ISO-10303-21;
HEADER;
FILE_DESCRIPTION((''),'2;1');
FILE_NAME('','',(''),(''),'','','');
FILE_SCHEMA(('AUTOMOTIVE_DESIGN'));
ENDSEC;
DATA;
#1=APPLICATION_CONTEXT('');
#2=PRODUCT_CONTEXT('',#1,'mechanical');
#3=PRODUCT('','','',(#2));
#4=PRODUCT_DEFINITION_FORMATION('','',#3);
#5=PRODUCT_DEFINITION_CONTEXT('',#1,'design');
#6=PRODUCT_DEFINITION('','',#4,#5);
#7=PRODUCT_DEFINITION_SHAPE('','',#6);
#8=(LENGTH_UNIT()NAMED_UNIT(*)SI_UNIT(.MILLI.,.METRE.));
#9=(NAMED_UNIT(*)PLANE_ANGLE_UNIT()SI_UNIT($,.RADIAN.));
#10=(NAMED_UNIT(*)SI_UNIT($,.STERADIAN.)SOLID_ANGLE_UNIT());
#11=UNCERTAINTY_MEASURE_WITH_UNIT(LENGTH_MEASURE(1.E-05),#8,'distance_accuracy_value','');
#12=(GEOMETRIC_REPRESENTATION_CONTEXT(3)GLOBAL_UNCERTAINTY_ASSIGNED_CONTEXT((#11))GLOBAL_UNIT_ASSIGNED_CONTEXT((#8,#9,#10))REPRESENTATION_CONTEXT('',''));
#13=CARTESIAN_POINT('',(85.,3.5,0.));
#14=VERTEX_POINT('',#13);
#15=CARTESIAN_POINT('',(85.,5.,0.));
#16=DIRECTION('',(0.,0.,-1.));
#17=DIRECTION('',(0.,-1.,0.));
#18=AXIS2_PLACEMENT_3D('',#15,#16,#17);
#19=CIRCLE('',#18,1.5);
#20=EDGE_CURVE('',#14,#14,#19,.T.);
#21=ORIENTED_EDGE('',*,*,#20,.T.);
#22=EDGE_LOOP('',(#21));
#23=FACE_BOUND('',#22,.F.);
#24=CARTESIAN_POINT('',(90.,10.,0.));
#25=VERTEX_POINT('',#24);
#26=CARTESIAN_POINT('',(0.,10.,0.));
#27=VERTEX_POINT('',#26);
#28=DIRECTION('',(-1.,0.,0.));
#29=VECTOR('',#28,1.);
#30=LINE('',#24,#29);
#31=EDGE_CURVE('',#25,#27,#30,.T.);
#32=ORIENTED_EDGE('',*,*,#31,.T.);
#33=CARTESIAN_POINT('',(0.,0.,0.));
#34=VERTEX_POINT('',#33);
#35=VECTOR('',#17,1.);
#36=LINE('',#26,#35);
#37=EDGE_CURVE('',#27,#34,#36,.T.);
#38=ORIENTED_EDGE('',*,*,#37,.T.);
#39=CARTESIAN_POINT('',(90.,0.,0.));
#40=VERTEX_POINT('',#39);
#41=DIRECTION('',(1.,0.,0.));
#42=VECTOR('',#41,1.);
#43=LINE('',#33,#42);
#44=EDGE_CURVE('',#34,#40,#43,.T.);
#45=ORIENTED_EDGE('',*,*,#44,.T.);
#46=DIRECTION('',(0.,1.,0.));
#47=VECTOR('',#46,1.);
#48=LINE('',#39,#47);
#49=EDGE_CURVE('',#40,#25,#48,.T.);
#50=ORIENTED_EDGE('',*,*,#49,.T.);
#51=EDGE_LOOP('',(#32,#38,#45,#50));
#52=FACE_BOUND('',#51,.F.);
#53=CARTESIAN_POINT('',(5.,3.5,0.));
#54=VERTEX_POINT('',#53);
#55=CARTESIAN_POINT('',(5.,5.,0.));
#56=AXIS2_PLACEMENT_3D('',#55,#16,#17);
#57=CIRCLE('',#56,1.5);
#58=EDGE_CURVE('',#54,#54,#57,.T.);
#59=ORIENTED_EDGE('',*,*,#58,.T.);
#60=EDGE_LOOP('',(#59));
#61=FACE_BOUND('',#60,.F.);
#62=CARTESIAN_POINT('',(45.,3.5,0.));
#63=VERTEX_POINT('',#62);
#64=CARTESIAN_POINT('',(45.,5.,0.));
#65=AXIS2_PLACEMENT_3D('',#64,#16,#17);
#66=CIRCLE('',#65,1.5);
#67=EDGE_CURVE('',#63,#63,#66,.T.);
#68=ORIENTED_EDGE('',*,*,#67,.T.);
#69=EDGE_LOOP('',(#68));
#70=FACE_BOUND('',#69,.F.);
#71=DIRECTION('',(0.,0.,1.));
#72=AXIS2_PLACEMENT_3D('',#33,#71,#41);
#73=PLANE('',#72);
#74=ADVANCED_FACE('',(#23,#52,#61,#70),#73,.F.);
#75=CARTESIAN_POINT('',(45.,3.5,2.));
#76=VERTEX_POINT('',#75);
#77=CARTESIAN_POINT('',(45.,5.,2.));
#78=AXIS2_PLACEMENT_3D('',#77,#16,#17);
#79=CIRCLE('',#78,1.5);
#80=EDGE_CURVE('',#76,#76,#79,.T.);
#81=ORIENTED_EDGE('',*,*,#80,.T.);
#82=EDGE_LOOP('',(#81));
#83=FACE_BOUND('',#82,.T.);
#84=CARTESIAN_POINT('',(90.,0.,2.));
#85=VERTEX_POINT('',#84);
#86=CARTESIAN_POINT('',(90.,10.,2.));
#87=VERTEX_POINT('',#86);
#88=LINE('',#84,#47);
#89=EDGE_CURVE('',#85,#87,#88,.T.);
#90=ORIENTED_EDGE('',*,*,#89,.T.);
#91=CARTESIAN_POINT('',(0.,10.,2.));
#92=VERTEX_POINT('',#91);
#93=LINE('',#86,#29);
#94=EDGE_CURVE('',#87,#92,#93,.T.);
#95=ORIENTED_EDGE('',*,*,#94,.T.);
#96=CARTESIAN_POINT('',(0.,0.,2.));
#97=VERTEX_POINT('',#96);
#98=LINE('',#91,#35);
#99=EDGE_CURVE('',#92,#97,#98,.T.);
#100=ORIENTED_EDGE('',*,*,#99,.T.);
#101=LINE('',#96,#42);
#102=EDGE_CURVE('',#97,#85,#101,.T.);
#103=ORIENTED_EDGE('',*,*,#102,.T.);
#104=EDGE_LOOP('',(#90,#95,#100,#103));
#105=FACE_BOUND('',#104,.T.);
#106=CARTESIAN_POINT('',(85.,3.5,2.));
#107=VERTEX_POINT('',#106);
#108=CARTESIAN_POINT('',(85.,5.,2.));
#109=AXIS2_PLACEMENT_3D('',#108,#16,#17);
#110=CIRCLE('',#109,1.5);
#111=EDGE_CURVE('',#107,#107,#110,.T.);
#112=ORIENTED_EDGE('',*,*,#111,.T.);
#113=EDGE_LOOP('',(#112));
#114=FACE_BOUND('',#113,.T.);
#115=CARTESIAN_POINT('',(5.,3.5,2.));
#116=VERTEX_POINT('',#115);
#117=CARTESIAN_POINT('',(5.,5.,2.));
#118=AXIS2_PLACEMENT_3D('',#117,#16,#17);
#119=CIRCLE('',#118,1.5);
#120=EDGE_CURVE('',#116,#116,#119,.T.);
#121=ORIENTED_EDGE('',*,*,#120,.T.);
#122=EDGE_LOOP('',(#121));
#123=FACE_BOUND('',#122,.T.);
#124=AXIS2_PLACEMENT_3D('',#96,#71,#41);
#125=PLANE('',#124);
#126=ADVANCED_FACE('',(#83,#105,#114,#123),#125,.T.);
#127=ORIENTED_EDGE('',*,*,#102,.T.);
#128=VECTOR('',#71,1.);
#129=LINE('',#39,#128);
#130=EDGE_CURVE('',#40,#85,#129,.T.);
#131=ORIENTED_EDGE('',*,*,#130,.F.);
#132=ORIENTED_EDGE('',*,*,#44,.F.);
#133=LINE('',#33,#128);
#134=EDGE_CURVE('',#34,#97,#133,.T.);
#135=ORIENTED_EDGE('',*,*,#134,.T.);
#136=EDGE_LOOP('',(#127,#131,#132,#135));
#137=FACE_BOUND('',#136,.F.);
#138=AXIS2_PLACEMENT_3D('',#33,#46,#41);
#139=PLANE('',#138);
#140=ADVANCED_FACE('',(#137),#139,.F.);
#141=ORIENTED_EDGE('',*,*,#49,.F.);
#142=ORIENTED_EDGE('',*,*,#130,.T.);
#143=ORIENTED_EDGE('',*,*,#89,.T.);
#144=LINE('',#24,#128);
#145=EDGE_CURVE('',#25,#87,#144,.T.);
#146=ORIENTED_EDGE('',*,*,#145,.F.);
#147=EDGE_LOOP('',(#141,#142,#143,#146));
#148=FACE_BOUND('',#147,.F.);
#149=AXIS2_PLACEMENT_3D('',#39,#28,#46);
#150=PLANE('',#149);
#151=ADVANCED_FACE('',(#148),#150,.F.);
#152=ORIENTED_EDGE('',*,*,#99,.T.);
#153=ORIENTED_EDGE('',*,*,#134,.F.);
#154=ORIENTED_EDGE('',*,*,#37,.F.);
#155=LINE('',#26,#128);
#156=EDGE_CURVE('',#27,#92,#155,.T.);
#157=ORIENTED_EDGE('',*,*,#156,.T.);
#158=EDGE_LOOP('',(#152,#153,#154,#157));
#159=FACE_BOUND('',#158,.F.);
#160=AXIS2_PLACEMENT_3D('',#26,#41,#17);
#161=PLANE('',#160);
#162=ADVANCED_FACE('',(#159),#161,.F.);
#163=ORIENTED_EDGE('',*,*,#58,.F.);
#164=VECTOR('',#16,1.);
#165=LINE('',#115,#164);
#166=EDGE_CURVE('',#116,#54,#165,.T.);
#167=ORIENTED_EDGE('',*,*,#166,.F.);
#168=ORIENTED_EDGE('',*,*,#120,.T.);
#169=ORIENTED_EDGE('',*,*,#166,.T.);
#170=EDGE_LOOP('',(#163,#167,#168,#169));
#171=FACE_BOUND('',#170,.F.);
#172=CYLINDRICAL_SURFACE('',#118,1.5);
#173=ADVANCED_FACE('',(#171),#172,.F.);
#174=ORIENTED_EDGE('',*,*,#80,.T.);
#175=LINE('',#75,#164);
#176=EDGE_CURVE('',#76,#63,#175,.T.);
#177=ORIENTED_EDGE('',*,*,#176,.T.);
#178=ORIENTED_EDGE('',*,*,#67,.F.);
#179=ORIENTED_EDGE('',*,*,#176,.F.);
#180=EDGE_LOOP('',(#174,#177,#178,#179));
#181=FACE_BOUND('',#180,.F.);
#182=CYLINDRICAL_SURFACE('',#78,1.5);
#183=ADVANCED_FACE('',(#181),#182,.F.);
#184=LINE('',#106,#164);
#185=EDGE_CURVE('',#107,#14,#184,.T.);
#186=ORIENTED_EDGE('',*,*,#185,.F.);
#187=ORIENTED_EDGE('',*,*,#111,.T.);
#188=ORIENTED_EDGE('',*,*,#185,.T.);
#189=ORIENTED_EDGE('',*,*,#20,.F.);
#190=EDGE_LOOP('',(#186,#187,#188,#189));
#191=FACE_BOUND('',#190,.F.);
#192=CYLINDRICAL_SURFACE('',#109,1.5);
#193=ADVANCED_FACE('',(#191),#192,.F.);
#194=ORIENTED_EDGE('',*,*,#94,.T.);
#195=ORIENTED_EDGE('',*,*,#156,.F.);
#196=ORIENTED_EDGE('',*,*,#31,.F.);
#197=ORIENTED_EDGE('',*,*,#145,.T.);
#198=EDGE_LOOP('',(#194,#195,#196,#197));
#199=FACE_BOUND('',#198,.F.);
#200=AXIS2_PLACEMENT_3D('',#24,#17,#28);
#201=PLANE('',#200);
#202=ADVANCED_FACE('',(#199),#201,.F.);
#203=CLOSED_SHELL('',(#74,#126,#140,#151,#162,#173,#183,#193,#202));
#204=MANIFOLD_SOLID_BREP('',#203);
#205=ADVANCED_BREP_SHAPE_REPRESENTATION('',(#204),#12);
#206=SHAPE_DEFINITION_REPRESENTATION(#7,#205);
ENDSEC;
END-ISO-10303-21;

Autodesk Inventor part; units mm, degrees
ref_plane "YZ Plane" through (0, 0, 0) normal (1, 0, 0) x (0, 1, 0)
ref_plane "XZ Plane" through (0, 0, 0) normal (0, 1, 0) x (-1, 0, 0)
ref_plane "XY Plane" through (0, 0, 0) normal (0, 0, 1) x (1, 0, 0)
sketch "スケッチ1" plane through (0, 0, 0) normal (0, 0, 1) x (1, 0, 0)
  line L0 (0, 0) -> (90, 0)
  line L1 (90, 0) -> (90, 10)
  line L2 (90, 10) -> (0, 10)
  line L3 (0, 10) -> (0, 0)
  dimension "d0" = 90
  dimension "d1" = 10
extrude "押し出し1" add sketch "スケッチ1" along normal blind 2
sketch "スケッチ2" plane through (0, 0, 2) normal (0, 0, 1) x (1, 0, 0)
  line L0 (0, 10) -> (0, 0) projected
  line L1 (90, 0) -> (90, 10) projected
  line L2 (0, 0) -> (90, 0) projected
  point P0 (5, 5)
  point P1 (45, 5)
  point P2 (85, 5)
  dimension "d13" = 5
  dimension "d14" = 5
  dimension "d15" = 40
  dimension "d16" = 5
  dimension "d17" = 5
hole "穴1" at (5, 5, 2) at (45, 5, 2) at (85, 5, 2) direction (0, 0, -1) diameter 3 end through all
properties part number "長いほう"
